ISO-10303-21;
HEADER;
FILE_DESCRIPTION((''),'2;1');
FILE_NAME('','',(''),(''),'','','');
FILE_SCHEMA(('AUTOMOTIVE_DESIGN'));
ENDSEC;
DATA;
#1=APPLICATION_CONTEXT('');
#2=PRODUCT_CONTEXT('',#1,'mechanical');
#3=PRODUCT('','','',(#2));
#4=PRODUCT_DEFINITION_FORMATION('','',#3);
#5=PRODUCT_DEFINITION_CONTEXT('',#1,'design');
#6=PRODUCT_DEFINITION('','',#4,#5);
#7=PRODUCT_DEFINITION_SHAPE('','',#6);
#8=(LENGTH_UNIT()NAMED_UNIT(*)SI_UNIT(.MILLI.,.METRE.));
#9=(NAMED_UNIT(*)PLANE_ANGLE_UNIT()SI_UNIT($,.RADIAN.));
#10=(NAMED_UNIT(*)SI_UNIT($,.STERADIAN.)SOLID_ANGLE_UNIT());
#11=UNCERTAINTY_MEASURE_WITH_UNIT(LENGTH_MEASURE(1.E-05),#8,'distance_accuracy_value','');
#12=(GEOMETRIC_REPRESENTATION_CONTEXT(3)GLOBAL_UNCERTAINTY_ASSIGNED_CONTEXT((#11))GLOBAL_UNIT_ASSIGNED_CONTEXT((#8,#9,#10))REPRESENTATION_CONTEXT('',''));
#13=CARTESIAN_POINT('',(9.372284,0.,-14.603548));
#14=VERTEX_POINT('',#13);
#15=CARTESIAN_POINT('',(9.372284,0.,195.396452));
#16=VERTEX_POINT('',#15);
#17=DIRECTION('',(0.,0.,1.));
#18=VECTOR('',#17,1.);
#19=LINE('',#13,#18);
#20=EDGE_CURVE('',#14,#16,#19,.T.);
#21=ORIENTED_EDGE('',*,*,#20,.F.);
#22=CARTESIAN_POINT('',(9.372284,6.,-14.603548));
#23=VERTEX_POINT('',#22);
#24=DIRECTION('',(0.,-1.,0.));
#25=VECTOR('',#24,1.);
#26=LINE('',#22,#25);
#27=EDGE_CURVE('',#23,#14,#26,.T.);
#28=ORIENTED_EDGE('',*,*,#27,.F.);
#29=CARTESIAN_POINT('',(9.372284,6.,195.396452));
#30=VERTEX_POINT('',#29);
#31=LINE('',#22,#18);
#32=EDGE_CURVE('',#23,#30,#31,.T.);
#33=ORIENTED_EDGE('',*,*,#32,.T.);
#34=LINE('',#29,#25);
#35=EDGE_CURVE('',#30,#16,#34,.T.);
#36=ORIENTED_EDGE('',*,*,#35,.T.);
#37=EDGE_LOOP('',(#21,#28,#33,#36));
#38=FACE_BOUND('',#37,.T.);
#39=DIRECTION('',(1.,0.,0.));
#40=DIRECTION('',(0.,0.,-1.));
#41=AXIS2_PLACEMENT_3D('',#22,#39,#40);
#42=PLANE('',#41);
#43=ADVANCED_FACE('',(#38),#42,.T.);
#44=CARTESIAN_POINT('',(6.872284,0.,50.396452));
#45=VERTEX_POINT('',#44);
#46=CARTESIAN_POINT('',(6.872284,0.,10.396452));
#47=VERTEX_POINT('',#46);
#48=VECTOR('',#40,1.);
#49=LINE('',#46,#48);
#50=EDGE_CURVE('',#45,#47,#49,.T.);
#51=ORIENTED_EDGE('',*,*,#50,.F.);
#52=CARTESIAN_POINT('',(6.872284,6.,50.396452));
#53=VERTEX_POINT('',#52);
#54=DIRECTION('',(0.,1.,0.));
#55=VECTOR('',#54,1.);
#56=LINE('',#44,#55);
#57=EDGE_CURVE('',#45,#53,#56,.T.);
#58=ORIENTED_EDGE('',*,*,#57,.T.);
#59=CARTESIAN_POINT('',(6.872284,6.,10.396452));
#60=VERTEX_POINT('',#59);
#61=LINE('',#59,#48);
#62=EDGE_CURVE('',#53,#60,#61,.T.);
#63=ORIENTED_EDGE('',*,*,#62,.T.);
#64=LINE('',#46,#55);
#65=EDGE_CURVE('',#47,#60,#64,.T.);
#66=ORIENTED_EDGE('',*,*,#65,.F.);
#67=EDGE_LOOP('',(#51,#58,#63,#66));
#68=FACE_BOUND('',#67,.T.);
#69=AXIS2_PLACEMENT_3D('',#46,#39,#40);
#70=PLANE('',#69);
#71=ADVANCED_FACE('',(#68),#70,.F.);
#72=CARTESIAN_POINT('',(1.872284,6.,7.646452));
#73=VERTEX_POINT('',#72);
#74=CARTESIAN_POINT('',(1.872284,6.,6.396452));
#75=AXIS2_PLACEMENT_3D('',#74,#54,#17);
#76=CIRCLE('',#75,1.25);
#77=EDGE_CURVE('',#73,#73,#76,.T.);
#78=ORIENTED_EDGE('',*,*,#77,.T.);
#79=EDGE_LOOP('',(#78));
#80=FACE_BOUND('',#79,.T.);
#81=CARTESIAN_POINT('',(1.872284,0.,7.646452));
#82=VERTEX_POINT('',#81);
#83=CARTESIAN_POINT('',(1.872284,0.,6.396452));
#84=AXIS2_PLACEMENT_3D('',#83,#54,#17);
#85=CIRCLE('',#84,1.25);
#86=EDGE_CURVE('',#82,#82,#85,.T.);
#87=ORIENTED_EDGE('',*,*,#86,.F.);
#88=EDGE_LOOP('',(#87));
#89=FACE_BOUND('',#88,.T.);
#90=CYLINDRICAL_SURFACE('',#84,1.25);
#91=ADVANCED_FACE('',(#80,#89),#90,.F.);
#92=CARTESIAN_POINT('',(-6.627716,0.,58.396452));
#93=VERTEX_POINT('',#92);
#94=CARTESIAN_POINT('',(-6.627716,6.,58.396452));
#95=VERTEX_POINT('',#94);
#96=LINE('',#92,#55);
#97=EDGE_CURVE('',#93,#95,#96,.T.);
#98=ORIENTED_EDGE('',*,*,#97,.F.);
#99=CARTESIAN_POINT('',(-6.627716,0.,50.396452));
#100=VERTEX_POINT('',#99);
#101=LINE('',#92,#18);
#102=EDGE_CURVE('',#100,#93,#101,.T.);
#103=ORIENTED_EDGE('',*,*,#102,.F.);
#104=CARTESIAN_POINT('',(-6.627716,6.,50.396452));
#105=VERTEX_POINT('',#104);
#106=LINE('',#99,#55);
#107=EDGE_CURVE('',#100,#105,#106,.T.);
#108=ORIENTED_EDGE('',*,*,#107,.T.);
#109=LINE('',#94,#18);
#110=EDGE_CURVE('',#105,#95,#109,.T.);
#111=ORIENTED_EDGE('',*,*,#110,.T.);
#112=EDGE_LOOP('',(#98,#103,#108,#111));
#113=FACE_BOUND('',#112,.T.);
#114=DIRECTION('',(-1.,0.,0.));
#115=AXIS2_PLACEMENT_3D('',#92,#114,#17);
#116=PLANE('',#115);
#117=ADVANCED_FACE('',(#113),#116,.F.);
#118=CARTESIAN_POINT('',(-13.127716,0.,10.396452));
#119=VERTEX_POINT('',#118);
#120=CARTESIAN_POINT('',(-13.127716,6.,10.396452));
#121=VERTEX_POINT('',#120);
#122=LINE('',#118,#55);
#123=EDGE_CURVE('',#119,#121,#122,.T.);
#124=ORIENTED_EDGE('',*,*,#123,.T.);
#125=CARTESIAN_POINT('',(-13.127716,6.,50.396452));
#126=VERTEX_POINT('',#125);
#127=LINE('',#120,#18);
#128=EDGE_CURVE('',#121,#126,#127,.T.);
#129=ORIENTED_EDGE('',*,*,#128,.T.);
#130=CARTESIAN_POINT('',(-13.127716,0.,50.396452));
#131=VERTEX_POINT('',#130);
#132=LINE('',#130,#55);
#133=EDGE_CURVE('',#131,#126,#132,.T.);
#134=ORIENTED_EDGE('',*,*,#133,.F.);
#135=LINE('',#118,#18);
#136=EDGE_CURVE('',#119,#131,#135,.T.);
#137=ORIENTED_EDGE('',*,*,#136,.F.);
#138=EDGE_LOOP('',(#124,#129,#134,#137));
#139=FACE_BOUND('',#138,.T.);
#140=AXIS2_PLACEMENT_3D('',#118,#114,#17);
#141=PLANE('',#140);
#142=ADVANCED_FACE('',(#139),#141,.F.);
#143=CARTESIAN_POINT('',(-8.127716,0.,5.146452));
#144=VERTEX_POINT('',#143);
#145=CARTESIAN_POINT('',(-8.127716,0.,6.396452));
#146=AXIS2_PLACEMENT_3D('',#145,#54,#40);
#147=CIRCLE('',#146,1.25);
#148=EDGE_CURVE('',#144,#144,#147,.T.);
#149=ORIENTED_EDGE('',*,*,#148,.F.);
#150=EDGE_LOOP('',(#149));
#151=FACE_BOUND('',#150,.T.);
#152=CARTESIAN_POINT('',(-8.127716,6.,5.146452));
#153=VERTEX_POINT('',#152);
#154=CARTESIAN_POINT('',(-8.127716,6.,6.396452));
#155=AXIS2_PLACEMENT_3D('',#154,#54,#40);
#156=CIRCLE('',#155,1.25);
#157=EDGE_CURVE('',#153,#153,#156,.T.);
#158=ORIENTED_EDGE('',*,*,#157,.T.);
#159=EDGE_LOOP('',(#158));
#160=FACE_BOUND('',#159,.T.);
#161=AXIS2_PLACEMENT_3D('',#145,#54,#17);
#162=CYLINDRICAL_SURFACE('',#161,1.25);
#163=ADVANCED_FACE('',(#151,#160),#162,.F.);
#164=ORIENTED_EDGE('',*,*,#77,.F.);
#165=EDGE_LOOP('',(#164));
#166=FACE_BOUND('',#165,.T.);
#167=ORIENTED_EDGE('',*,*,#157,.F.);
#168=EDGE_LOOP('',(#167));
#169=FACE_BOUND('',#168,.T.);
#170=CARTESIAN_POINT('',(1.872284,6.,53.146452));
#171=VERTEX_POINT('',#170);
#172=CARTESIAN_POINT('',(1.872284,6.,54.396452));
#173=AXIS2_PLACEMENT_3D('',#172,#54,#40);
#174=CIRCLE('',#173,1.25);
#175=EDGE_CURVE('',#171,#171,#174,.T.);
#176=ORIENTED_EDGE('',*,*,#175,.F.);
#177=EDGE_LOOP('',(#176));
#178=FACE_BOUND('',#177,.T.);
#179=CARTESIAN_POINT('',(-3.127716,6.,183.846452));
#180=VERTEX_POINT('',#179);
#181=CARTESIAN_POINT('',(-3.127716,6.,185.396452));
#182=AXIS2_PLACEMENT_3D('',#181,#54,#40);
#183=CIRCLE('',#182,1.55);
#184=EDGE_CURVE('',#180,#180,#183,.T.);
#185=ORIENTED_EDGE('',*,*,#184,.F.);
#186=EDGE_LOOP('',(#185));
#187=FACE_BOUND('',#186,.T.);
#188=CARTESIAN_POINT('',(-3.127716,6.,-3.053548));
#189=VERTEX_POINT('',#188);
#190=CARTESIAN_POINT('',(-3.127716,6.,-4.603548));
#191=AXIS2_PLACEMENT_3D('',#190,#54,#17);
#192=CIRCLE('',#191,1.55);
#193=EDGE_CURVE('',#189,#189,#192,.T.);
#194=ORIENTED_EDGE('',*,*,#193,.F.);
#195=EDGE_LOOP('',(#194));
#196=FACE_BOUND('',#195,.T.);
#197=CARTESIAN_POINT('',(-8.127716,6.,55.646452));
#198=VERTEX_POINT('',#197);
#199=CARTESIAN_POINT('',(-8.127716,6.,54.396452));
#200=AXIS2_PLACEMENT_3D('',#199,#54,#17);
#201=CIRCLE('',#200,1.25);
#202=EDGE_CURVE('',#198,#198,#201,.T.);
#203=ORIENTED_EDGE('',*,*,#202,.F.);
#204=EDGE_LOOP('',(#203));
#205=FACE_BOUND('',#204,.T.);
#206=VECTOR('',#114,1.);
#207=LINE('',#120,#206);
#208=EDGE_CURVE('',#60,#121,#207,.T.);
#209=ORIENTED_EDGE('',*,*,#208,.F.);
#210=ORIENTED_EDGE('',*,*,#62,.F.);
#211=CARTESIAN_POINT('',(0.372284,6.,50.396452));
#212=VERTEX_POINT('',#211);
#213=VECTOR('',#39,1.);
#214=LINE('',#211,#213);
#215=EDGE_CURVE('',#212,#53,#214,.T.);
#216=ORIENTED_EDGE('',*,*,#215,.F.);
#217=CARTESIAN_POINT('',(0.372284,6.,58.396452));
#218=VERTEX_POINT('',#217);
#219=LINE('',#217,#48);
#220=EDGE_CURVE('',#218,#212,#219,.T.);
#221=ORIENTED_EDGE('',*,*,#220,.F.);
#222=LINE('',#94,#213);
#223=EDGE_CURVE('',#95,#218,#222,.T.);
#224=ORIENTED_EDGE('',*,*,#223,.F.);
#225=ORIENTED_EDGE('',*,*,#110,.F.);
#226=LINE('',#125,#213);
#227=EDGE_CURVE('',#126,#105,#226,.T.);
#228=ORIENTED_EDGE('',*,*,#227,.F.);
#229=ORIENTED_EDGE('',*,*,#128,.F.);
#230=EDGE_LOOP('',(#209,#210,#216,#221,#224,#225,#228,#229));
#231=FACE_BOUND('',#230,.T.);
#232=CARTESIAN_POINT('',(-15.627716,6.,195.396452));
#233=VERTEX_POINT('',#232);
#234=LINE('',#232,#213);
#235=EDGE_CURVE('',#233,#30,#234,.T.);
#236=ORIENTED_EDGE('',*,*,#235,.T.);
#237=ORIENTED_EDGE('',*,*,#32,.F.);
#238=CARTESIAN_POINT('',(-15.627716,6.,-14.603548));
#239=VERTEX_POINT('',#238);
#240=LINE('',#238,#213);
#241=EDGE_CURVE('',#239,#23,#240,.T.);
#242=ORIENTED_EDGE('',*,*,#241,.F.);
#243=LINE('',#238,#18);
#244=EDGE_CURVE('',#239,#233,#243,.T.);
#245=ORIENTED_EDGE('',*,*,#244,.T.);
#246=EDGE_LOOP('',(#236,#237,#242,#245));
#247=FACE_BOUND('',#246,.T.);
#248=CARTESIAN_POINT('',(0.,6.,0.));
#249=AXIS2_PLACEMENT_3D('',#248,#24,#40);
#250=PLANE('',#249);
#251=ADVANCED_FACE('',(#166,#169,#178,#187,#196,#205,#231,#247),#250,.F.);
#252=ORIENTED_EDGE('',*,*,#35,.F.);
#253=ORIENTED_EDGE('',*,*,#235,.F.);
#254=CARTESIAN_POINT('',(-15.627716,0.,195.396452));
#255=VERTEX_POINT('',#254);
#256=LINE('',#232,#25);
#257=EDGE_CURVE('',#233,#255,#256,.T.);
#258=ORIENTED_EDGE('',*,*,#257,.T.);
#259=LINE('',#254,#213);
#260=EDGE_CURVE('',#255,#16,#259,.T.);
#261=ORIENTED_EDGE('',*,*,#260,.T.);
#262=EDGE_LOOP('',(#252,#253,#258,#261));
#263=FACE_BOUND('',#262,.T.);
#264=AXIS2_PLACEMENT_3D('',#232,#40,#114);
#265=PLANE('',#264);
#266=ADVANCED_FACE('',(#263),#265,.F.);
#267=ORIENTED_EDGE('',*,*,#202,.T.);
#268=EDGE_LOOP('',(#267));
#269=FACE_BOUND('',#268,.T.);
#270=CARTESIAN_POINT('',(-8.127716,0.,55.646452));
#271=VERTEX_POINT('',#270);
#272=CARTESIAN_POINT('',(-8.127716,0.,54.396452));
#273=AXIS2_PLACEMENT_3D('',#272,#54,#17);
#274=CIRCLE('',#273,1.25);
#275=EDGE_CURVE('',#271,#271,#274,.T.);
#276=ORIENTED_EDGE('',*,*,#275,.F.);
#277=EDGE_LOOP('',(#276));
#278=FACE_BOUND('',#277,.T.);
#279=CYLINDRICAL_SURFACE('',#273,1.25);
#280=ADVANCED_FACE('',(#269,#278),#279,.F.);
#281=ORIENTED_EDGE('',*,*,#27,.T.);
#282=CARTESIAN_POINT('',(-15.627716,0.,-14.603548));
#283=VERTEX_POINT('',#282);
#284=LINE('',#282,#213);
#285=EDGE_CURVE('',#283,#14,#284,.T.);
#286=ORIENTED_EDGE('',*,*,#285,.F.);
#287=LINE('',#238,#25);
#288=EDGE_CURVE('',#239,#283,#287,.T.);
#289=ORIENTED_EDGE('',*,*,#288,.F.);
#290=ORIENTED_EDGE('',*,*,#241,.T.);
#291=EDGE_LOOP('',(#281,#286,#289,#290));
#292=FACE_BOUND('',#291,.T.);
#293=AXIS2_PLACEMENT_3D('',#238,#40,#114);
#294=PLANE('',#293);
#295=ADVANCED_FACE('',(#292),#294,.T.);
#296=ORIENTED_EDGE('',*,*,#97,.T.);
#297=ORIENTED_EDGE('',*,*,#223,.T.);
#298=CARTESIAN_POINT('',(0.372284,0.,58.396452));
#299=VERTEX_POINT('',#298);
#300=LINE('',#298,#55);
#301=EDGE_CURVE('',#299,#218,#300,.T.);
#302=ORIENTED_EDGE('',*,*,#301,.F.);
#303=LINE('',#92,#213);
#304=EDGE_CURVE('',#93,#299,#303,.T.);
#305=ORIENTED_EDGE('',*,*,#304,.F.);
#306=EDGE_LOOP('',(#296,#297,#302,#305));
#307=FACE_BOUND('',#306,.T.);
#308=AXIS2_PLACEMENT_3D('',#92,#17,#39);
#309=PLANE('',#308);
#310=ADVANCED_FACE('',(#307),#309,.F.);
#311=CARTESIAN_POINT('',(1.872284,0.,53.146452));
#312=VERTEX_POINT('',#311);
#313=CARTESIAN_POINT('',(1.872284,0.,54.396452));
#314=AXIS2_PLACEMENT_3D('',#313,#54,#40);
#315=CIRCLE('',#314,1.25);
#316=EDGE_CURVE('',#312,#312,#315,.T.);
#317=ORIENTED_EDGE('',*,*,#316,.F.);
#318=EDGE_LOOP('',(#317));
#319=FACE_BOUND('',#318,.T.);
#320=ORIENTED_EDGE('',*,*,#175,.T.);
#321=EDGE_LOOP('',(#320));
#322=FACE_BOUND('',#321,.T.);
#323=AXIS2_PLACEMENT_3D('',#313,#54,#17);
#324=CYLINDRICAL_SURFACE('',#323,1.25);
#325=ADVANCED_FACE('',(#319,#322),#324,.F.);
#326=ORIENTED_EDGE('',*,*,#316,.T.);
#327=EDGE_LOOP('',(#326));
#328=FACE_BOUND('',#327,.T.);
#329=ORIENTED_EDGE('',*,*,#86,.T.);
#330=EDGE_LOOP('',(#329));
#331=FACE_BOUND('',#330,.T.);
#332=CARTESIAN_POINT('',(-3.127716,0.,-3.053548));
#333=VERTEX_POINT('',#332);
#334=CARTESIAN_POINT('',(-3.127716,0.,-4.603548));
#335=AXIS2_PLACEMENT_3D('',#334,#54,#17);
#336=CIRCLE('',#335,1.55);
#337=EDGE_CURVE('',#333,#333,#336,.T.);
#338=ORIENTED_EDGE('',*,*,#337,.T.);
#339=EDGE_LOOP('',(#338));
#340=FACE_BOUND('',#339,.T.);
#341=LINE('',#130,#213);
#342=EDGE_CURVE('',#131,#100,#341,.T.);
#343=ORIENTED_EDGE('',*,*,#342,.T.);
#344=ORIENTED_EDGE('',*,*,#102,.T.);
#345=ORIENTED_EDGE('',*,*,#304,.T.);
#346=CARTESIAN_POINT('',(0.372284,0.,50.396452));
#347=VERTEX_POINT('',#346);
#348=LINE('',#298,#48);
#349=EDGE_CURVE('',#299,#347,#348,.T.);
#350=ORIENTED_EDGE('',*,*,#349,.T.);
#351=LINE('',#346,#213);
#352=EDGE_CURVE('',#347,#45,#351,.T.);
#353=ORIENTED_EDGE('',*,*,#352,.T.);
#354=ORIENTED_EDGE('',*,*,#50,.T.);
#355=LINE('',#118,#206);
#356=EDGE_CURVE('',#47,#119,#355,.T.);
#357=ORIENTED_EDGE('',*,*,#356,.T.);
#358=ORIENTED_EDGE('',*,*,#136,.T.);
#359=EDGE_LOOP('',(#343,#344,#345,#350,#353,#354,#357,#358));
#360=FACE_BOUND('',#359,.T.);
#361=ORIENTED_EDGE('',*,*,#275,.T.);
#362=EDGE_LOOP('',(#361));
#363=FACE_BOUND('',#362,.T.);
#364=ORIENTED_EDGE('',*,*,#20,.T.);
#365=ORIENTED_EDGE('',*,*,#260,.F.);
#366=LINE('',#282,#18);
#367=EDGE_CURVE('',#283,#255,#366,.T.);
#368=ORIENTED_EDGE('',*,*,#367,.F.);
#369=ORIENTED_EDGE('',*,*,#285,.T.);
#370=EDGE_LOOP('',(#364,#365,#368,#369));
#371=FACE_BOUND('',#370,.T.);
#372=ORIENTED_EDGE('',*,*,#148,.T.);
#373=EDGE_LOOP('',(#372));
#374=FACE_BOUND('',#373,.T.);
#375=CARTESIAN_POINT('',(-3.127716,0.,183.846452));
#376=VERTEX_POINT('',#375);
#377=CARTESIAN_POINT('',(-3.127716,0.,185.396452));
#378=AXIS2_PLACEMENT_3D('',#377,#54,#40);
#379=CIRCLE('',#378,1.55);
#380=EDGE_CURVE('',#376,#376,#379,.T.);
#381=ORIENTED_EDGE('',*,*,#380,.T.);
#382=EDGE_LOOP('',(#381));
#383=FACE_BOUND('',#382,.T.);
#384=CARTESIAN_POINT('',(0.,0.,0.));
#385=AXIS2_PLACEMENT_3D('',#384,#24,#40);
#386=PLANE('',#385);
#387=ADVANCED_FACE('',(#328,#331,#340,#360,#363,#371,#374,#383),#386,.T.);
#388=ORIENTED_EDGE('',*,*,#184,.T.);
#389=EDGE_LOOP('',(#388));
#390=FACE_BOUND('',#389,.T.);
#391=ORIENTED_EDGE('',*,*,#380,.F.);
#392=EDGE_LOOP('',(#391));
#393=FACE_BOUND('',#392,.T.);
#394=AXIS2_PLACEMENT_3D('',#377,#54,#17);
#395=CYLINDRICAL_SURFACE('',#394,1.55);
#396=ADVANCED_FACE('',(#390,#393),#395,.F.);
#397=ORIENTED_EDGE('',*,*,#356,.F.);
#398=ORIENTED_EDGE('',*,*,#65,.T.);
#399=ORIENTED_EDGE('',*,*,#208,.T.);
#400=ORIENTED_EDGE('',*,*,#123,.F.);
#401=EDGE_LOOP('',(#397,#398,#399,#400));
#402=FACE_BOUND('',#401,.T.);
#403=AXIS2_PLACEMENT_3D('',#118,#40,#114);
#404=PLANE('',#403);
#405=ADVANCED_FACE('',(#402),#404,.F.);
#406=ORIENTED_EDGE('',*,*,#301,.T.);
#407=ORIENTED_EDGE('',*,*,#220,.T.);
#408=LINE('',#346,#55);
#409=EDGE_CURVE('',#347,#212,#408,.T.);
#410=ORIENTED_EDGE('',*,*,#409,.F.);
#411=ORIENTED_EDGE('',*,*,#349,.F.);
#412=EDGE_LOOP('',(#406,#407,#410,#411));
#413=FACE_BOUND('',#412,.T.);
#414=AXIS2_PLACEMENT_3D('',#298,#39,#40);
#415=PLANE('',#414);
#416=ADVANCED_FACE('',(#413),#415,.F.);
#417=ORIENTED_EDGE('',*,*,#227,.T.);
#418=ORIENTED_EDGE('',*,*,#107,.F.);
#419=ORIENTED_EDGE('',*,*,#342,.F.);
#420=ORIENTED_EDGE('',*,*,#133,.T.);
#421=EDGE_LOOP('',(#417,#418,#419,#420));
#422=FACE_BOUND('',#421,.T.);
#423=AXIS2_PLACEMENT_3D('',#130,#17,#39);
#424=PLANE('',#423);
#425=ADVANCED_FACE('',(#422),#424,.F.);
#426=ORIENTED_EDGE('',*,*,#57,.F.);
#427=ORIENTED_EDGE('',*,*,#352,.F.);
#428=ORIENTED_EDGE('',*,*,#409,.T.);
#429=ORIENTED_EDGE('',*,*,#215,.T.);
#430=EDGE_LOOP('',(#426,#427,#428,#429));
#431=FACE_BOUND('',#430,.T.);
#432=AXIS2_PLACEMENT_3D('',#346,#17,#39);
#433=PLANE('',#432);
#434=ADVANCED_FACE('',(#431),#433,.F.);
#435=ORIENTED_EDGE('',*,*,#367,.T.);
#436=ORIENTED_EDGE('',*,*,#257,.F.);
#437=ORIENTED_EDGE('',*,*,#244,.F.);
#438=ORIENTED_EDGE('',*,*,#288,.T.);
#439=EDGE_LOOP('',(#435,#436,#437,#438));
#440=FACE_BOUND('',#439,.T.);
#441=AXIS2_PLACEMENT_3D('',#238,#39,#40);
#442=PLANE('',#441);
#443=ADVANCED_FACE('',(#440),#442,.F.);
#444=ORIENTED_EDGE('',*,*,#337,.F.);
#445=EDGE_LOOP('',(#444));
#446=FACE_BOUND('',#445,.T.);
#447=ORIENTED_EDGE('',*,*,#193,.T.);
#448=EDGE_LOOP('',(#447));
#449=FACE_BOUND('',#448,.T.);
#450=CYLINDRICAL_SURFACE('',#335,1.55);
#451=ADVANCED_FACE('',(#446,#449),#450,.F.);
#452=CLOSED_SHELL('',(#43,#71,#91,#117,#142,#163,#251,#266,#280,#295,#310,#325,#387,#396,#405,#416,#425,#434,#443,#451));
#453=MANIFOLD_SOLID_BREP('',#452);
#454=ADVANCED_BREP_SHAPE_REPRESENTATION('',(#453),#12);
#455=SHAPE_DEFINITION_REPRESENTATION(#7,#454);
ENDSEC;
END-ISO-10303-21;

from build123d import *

# Parameters (mm, degrees)
SKETCH_1_W          = 25
SKETCH_1_H          = 210
EXTRUDE_1_DEPTH     = 6
SKETCH_2_R          = 1.55
CUT_EXTRUDE_1_DEPTH = 6
SKETCH_3_R          = 1.25
CUT_EXTRUDE_2_DEPTH = 6


with BuildPart() as part:
    # Эскиз1 → Бобышка-Вытянуть1 (new body)
    with BuildSketch(Plane(origin=(0, 0, 0), x_dir=(1, 0, 0), z_dir=(0, 1, 0))):
        with Locations((-3.127715508, -90.396451994)):
            Rectangle(SKETCH_1_W, SKETCH_1_H)
    extrude(amount=EXTRUDE_1_DEPTH)

    # Эскиз2 → Вырез-Вытянуть1 (cut)
    with BuildSketch(Plane(origin=(0, 6, 0), x_dir=(1, 0, 0), z_dir=(0, 1, 0))):
        with Locations(Location((-3.127715508, 4.603548006, 0), (0, 0, 270))):
            Circle(SKETCH_2_R)
        with Locations(Location((-3.127715508, -185.396451994, 0), (0, 0, 90))):
            Circle(SKETCH_2_R)
    extrude(amount=-CUT_EXTRUDE_1_DEPTH, mode=Mode.SUBTRACT)

    # Эскиз3 → Вырез-Вытянуть2 (cut)
    with BuildSketch(Plane(origin=(0, 6, 0), x_dir=(1, 0, 0), z_dir=(0, 1, 0))):
        with Locations(Location((-8.127715508, -54.396451994, 0), (0, 0, 270))):
            Circle(SKETCH_3_R)
        with Locations(Location((1.872284492, -54.396451994, 0), (0, 0, 90))):
            Circle(SKETCH_3_R)
        with Locations(Location((1.872284492, -6.396451994, 0), (0, 0, 270))):
            Circle(SKETCH_3_R)
        with Locations(Location((-8.127715508, -6.396451994, 0), (0, 0, 90))):
            Circle(SKETCH_3_R)
        Polygon((-13.127715508, -10.396451994), (6.872284492, -10.396451994), (6.872284492, -50.396451994), (0.372284492, -50.396451994), (0.372284492, -58.396451994), (-6.627715508, -58.396451994), (-6.627715508, -50.396451994), (-13.127715508, -50.396451994), align=None)
    extrude(amount=-CUT_EXTRUDE_2_DEPTH, mode=Mode.SUBTRACT)


solid = part.part
